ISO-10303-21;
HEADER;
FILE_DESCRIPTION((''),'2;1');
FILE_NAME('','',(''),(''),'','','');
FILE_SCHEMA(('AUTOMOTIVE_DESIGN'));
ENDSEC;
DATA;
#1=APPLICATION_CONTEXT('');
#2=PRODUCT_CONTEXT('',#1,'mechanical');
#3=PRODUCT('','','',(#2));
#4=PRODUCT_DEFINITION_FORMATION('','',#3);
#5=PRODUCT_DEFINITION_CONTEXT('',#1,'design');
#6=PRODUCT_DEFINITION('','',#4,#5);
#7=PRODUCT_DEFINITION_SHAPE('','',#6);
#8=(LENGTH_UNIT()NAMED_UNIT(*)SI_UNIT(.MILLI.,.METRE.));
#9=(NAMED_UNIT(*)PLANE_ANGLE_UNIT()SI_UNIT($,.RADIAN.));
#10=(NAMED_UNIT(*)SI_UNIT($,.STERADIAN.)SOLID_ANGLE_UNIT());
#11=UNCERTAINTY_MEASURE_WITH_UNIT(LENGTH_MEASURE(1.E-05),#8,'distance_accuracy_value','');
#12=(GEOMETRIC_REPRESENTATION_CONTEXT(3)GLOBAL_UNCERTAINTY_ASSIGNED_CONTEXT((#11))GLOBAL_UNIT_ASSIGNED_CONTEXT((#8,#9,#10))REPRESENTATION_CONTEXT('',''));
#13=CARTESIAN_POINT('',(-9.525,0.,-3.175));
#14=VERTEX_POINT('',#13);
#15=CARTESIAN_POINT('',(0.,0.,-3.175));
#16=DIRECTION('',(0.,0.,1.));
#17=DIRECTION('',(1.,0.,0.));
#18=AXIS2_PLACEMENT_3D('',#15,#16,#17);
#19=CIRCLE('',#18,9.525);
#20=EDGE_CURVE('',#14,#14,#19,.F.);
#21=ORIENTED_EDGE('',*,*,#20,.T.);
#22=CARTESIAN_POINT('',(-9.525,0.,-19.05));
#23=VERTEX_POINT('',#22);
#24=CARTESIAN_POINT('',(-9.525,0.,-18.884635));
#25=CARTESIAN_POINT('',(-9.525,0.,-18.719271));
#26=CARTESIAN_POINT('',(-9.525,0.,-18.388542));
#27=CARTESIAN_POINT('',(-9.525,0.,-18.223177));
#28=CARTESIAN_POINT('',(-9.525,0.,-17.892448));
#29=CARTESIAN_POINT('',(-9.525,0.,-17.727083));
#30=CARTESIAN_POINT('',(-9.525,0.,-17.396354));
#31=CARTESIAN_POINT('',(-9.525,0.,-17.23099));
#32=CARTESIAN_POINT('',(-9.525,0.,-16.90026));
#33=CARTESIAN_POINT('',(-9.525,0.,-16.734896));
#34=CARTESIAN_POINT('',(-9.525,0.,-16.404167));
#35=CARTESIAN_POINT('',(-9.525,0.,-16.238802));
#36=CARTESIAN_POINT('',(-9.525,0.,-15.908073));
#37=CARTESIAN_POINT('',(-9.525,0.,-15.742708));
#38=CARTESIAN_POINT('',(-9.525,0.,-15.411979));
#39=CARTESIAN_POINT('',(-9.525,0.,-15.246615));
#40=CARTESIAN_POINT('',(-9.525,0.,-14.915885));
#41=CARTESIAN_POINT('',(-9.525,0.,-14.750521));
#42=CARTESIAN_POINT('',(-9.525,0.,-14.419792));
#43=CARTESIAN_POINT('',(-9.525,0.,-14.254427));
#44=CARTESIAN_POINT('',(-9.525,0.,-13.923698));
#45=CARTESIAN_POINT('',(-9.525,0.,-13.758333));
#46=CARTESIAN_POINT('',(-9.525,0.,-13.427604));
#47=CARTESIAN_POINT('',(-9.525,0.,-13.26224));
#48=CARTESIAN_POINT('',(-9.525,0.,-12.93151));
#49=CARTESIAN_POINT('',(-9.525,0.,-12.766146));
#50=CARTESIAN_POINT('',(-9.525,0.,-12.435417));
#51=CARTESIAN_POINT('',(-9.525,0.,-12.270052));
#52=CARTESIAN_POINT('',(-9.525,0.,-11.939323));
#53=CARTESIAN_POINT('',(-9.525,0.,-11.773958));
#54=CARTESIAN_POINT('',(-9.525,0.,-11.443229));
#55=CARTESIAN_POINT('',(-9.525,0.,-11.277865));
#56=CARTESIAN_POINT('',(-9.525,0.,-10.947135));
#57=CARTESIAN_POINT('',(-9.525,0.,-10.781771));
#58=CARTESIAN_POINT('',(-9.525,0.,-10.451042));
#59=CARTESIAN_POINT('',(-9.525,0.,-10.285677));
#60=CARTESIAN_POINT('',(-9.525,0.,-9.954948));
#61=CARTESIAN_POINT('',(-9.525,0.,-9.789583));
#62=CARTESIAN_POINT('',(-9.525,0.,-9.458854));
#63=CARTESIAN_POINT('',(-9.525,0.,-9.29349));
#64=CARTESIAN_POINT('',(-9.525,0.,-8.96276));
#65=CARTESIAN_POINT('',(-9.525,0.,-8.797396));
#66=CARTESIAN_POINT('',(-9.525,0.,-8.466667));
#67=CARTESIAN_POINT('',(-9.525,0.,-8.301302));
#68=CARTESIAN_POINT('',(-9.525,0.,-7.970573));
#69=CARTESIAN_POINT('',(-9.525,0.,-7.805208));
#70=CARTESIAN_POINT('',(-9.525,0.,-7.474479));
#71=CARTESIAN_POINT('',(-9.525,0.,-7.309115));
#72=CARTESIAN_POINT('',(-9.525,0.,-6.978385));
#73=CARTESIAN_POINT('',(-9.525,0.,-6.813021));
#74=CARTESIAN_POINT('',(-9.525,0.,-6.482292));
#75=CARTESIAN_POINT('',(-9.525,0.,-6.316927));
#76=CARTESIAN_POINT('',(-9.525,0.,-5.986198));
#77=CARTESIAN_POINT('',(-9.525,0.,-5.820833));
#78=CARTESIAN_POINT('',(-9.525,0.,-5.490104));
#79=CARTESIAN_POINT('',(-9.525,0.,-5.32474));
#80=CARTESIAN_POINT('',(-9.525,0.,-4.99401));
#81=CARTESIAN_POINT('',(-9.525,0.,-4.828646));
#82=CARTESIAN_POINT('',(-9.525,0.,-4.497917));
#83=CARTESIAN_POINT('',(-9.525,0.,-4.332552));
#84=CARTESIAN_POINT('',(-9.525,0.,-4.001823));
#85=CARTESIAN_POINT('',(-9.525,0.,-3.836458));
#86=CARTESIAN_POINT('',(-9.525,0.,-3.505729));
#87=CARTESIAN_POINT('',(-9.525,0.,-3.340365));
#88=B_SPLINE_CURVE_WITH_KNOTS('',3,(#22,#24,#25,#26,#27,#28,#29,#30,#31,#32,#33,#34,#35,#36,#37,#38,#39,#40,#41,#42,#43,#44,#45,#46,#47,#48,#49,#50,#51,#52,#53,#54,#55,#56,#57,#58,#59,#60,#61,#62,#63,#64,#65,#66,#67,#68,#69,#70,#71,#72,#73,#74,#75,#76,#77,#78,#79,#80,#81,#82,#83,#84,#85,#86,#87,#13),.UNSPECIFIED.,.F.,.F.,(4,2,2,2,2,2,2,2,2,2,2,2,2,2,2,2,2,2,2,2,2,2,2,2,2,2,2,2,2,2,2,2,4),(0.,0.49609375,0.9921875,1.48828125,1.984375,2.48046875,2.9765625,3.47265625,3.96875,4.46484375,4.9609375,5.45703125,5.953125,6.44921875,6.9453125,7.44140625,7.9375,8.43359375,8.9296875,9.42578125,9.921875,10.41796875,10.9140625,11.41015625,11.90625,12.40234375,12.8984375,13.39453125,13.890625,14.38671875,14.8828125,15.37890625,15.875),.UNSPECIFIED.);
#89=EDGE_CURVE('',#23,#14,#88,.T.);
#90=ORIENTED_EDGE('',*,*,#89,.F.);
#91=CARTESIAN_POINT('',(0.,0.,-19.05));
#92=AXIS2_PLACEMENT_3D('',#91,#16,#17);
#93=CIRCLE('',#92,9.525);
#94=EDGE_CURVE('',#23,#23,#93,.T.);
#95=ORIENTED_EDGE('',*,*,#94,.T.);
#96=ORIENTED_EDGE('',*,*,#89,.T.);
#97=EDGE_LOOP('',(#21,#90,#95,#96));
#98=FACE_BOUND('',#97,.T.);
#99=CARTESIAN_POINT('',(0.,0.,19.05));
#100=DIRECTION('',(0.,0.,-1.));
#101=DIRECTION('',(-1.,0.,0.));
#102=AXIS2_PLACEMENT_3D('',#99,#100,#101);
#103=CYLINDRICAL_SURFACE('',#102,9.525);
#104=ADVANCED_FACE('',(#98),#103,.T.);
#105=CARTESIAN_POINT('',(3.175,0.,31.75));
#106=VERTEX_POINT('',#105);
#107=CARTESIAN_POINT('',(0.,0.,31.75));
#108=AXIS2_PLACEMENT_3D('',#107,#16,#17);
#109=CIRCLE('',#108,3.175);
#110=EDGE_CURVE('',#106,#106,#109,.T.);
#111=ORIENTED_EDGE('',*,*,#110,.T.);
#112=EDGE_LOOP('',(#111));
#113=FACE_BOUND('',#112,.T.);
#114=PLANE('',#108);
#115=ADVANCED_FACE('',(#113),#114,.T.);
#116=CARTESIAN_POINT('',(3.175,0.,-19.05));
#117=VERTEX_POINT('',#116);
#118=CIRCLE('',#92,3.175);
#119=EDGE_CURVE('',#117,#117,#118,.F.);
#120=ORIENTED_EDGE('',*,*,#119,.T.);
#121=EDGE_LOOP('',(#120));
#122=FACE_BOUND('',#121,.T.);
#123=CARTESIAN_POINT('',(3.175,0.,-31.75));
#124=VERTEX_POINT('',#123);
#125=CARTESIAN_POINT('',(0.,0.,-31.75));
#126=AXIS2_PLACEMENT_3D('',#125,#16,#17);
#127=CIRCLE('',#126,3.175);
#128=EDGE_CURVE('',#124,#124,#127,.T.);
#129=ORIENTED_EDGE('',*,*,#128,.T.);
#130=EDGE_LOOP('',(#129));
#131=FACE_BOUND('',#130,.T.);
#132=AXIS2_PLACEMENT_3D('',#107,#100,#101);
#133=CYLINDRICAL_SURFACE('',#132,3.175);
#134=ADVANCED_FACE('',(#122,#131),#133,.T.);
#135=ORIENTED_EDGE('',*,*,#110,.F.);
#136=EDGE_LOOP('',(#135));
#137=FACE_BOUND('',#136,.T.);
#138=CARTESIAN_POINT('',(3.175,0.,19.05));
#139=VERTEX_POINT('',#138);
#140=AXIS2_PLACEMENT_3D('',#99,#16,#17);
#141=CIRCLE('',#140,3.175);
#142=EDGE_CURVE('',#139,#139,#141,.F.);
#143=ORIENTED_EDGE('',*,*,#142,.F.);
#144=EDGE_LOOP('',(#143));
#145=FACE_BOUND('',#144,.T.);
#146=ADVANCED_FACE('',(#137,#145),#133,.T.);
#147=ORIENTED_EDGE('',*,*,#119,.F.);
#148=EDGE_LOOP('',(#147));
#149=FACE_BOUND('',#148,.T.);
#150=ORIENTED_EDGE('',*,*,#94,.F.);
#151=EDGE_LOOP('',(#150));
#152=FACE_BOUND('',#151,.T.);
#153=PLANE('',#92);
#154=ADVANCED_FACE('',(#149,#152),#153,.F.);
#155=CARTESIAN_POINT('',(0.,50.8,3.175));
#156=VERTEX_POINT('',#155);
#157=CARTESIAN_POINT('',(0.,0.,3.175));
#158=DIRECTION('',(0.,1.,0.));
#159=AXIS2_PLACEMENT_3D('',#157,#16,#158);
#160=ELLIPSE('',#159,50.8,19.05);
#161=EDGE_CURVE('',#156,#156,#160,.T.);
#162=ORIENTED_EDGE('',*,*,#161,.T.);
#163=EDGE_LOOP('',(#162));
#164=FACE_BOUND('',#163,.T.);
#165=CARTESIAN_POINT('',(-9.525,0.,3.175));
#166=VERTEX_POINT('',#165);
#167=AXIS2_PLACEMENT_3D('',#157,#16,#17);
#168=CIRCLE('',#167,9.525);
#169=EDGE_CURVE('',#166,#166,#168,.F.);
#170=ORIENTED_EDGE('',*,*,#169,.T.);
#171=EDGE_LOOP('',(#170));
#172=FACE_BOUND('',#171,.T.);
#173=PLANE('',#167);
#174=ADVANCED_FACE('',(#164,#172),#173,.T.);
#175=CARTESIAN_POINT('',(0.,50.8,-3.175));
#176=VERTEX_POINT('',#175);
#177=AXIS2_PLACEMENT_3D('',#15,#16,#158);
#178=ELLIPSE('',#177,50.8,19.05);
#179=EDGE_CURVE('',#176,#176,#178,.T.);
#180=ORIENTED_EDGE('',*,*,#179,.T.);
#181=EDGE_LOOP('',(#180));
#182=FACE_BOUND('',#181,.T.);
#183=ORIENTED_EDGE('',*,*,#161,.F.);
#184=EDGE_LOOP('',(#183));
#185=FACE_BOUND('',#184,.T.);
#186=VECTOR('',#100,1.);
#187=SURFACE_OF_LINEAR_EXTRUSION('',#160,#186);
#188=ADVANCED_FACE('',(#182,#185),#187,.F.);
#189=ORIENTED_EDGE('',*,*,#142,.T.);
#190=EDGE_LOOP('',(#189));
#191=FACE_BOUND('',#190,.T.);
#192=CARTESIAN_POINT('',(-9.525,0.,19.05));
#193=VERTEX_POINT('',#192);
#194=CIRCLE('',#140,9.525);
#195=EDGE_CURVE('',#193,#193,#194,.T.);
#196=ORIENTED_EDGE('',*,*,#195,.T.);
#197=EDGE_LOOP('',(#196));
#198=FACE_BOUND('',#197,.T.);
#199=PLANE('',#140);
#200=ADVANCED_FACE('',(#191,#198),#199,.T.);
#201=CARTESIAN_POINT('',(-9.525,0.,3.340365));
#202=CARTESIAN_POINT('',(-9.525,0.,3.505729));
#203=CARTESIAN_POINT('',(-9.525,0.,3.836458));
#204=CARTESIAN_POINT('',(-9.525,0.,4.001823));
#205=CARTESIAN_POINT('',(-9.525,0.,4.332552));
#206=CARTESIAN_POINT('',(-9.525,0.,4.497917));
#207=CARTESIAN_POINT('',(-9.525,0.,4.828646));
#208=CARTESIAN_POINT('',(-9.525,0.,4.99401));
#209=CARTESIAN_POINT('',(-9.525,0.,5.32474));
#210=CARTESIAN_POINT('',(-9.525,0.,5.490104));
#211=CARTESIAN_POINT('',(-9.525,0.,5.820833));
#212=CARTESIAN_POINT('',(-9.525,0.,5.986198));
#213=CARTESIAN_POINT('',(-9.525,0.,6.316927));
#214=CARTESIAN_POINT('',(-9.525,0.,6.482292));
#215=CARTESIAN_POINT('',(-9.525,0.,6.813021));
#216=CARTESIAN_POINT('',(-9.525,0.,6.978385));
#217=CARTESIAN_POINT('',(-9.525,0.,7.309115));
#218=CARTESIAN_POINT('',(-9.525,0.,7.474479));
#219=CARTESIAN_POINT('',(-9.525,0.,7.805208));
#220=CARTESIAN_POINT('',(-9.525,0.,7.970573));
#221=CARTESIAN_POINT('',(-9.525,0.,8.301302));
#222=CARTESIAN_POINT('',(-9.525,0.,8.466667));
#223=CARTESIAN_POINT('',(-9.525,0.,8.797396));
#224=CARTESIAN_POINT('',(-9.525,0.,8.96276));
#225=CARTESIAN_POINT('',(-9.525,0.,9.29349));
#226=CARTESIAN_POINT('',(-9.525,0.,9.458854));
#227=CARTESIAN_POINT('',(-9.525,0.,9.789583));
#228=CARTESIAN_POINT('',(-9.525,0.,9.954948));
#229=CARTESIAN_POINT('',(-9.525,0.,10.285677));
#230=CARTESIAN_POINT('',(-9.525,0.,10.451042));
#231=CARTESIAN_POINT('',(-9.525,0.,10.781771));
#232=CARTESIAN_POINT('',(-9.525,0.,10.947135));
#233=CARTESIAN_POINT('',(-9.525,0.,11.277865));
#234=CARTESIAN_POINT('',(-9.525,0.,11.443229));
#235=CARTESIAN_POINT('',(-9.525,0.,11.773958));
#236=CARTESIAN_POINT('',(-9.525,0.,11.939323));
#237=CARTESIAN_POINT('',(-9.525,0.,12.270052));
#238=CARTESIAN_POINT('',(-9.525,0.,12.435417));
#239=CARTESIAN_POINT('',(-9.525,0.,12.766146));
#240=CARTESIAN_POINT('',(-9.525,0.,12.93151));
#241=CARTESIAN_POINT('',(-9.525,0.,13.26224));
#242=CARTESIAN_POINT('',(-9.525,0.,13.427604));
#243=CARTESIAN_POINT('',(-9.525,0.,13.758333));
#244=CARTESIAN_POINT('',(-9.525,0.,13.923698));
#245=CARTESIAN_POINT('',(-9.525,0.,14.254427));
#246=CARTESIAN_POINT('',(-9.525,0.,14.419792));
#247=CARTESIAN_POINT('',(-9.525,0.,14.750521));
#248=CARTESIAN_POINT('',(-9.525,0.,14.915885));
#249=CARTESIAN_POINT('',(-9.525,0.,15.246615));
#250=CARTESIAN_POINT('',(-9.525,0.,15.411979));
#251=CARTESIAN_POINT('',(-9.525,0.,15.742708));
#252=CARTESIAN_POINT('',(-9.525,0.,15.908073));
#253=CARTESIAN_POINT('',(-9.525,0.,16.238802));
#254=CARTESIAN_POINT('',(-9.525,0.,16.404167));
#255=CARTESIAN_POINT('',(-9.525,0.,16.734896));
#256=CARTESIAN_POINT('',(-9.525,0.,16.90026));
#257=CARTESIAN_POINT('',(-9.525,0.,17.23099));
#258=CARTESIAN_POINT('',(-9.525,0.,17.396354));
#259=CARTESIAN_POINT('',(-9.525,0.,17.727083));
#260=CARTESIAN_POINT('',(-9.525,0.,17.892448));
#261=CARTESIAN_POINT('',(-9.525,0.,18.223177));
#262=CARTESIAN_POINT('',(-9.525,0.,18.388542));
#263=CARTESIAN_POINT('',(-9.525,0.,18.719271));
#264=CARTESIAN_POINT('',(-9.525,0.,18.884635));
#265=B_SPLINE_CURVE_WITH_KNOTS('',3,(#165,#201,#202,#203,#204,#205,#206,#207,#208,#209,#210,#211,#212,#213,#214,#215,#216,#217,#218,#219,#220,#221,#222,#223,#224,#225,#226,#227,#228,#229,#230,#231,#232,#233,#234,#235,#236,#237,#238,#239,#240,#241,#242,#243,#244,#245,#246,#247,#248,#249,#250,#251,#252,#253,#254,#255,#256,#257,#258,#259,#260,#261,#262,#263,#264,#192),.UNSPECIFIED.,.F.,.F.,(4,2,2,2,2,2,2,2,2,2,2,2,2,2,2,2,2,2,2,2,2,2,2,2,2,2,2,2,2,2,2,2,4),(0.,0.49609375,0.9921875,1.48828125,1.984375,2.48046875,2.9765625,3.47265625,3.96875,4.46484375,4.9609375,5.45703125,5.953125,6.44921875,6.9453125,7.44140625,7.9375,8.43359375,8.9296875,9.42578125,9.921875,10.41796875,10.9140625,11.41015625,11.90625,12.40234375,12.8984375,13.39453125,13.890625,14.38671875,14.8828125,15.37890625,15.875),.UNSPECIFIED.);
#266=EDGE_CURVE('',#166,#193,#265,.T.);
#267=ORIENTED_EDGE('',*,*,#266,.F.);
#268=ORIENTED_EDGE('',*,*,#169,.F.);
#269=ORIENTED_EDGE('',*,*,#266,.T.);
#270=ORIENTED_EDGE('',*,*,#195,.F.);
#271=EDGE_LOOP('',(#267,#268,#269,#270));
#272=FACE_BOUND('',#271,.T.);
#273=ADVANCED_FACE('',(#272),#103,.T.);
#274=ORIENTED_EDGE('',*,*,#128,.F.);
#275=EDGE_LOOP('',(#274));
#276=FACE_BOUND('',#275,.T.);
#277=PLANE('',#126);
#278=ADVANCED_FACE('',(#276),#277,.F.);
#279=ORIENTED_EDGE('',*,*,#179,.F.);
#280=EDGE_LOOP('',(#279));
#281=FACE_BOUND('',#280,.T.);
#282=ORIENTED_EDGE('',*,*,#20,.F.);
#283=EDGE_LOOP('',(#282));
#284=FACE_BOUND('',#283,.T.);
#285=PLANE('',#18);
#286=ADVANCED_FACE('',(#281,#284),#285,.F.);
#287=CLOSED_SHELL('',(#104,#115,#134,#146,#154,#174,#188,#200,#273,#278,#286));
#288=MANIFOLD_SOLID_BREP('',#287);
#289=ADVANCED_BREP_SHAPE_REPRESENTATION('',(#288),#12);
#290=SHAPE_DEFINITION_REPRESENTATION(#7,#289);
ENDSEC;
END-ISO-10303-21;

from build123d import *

# Parameters (mm, degrees)
SKETCH1_RX          = 50.8
SKETCH1_RY          = 19.05
BOSS_EXTRUDE1_DEPTH = 3.175
SKETCH3_R           = 9.525
BOSS_EXTRUDE3_DEPTH = 19.05
SKETCH4_R           = 3.175
BOSS_EXTRUDE4_DEPTH = 31.75


with BuildPart() as part:
    # Sketch1 → Boss-Extrude1 (new, symmetric)
    with BuildSketch(Plane.XY):
        with Locations(Location((0, 0), (0, 0, 90))):
            Ellipse(SKETCH1_RX, SKETCH1_RY)
    extrude(amount=BOSS_EXTRUDE1_DEPTH, both=True)

    # Sketch3 → Boss-Extrude3 (add, symmetric)
    with BuildSketch(Plane.XY):
        with Locations(Location((0, 0, 0), (0, 0, 180))):
            Circle(SKETCH3_R)
    extrude(amount=BOSS_EXTRUDE3_DEPTH, both=True)

    # Sketch4 → Boss-Extrude4 (add, symmetric)
    with BuildSketch(Plane.XY):
        Circle(SKETCH4_R)
    extrude(amount=BOSS_EXTRUDE4_DEPTH, both=True)


solid = part.part
